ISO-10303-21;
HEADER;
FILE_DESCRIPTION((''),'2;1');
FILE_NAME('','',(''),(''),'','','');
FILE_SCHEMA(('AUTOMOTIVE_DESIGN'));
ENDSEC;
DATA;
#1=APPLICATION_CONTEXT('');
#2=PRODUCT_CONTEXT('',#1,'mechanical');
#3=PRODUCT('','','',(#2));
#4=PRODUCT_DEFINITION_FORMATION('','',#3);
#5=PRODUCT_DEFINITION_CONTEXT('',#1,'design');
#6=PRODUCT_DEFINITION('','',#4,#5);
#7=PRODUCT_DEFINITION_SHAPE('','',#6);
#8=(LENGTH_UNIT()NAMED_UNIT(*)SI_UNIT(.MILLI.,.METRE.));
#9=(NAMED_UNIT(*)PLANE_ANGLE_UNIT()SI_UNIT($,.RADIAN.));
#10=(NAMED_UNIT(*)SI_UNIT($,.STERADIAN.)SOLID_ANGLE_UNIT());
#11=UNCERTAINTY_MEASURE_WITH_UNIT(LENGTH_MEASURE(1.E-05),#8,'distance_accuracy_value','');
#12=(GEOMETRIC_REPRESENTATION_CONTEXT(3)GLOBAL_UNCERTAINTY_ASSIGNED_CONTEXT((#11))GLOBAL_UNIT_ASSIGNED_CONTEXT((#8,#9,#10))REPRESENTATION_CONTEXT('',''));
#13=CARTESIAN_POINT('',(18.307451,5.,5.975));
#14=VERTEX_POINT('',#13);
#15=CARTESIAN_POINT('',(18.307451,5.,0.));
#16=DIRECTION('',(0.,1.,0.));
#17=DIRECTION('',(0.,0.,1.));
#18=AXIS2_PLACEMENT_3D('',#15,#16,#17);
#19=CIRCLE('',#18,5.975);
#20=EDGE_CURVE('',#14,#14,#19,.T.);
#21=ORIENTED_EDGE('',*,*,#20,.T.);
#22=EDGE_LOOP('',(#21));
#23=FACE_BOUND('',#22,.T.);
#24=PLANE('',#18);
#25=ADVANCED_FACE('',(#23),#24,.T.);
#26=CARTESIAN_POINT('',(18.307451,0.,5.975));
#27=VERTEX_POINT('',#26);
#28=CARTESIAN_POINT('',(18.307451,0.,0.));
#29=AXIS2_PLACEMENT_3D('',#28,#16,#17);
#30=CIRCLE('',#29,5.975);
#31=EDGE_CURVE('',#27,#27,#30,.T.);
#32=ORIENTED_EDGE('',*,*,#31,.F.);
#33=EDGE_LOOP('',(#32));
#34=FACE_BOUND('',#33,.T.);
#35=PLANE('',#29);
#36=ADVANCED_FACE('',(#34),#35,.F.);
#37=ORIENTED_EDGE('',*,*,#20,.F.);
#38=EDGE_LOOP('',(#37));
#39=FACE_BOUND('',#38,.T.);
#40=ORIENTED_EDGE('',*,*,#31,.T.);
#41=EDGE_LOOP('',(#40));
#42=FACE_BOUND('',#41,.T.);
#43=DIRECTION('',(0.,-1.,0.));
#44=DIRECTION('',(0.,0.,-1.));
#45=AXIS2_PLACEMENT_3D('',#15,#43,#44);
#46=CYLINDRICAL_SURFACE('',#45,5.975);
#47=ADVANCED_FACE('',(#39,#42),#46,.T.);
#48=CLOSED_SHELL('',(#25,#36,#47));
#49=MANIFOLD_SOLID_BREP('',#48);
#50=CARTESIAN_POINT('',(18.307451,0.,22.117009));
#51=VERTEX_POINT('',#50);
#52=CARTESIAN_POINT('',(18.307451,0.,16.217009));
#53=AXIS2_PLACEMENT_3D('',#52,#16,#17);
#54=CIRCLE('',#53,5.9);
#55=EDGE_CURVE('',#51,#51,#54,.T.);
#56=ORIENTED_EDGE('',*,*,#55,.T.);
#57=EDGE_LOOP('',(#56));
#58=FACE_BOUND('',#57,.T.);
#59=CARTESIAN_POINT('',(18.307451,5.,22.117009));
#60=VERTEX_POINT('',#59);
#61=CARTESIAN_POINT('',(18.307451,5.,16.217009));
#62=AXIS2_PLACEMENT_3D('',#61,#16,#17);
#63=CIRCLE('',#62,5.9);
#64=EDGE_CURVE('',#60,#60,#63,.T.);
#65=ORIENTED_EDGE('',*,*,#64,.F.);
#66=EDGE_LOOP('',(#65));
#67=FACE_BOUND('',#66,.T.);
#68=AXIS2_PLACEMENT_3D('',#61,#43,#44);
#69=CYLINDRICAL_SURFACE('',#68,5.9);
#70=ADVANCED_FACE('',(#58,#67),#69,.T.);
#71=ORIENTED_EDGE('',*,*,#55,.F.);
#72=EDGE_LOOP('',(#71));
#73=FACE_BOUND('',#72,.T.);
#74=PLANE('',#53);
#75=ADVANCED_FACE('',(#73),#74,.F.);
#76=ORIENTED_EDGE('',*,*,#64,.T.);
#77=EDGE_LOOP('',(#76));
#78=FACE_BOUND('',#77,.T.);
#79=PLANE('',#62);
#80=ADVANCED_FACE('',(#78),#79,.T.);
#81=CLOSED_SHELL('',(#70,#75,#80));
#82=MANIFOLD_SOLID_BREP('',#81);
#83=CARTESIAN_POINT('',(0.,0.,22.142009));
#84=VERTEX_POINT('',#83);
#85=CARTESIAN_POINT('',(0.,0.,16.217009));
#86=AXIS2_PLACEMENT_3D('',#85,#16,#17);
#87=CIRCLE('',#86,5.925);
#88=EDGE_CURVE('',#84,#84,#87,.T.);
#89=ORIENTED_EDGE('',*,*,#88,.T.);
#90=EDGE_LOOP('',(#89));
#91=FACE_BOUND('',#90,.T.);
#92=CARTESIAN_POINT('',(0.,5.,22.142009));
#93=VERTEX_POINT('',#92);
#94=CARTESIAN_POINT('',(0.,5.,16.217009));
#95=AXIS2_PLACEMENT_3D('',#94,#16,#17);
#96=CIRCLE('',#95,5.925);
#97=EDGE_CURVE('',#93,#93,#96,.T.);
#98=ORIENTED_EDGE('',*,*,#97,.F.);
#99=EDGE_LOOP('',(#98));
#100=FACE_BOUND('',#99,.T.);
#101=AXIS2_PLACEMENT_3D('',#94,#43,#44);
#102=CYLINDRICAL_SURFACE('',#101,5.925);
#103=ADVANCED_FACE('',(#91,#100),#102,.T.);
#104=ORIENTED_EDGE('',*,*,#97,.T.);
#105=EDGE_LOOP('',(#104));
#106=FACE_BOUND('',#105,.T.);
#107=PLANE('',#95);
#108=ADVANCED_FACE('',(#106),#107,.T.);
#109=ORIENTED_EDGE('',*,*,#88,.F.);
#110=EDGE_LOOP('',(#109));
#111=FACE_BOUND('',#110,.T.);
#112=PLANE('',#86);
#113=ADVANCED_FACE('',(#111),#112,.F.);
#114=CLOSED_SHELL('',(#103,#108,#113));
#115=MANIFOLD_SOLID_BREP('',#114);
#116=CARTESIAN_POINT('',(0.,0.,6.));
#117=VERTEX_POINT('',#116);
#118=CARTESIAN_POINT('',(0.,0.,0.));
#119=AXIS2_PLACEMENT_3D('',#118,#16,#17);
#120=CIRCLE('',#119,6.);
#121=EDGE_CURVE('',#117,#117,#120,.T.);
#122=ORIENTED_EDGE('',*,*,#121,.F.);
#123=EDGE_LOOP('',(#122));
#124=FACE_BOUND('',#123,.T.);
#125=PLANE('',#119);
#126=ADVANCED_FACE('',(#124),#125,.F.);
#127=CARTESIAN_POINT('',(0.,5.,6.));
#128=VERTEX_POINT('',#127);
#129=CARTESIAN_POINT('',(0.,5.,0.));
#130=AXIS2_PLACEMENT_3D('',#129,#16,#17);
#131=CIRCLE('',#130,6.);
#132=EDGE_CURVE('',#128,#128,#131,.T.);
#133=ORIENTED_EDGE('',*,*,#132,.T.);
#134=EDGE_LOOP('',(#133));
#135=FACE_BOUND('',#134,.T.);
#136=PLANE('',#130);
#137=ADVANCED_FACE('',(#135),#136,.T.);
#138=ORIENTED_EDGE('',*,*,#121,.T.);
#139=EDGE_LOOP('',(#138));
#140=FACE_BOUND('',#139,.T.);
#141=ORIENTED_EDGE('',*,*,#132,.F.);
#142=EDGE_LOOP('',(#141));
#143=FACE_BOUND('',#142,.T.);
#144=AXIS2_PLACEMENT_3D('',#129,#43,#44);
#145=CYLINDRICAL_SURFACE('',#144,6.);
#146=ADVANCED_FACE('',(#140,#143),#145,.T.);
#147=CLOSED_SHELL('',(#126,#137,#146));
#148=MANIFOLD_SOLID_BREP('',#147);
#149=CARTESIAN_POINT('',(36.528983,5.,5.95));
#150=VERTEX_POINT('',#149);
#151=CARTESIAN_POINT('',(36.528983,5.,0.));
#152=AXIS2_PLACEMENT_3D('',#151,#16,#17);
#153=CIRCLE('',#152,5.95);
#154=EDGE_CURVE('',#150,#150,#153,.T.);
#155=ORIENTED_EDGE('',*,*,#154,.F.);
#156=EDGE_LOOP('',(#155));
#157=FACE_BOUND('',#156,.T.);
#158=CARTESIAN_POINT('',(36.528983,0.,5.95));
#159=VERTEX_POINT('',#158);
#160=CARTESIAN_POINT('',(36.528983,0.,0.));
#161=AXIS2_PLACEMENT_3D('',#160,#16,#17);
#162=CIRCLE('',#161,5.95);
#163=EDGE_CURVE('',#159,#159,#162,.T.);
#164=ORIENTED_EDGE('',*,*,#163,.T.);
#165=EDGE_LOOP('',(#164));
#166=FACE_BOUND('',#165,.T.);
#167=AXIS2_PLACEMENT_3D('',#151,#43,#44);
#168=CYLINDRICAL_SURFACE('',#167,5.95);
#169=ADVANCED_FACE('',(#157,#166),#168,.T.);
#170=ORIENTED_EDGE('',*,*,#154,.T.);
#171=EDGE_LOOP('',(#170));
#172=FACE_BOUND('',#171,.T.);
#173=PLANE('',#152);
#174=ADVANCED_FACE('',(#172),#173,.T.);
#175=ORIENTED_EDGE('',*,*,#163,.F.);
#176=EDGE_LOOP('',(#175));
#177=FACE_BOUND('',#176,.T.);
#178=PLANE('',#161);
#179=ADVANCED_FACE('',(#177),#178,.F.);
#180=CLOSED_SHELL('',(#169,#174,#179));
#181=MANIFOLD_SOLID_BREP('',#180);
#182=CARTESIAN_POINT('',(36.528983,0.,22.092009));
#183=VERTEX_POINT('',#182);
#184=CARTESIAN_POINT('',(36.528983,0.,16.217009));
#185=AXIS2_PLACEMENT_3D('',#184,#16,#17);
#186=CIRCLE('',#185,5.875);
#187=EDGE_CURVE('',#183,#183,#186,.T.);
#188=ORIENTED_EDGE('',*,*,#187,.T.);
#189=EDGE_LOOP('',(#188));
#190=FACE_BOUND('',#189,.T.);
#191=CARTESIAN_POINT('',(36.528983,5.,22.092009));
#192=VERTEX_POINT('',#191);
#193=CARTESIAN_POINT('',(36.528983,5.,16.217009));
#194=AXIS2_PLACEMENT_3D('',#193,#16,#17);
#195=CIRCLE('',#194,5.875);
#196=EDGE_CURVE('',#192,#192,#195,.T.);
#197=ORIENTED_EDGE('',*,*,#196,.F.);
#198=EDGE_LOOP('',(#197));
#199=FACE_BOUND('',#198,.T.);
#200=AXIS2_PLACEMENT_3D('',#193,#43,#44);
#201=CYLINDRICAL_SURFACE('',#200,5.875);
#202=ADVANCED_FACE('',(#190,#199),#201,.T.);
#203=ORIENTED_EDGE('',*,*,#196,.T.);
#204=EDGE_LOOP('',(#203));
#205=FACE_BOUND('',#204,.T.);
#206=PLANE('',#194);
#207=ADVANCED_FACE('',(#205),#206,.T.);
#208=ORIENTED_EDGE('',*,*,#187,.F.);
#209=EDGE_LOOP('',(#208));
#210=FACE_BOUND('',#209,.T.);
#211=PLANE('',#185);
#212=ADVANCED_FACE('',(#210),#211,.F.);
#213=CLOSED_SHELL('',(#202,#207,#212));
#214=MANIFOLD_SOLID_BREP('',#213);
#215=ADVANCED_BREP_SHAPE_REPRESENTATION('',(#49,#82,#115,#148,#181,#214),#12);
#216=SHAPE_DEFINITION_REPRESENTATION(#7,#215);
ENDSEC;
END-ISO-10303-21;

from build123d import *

# Parameters (mm, degrees)
SKETCH1_R             = 6
BOSS_EXTRUDE1_DEPTH   = 5
SKETCH1_R_2           = 5.975
BOSS_EXTRUDE1_2_DEPTH = 5
SKETCH1_R_3           = 5.95
BOSS_EXTRUDE1_3_DEPTH = 5
SKETCH1_R_4           = 5.875
BOSS_EXTRUDE1_4_DEPTH = 5
SKETCH1_R_5           = 5.9
BOSS_EXTRUDE1_5_DEPTH = 5
SKETCH1_R_6           = 5.925
BOSS_EXTRUDE1_6_DEPTH = 5


with BuildPart() as part:
    # Sketch1 → Boss-Extrude1 (new body)
    with BuildSketch(Plane(origin=(0, 0, 0), x_dir=(1, 0, 0), z_dir=(0, 1, 0))):
        with Locations(Location((0, 0, 0), (0, 0, 270))):
            Circle(SKETCH1_R)
    extrude(amount=BOSS_EXTRUDE1_DEPTH)


with BuildPart() as body_2:
    # Sketch1 → Boss-Extrude1 2 (new body)
    with BuildSketch(Plane(origin=(0, 0, 0), x_dir=(1, 0, 0), z_dir=(0, 1, 0))):
        with Locations(Location((18.307451277, 0, 0), (0, 0, 270))):
            Circle(SKETCH1_R_2)
    extrude(amount=BOSS_EXTRUDE1_2_DEPTH)


with BuildPart() as body_3:
    # Sketch1 → Boss-Extrude1 3 (new body)
    with BuildSketch(Plane(origin=(0, 0, 0), x_dir=(1, 0, 0), z_dir=(0, 1, 0))):
        with Locations(Location((36.52898338, 0, 0), (0, 0, 270))):
            Circle(SKETCH1_R_3)
    extrude(amount=BOSS_EXTRUDE1_3_DEPTH)


with BuildPart() as body_4:
    # Sketch1 → Boss-Extrude1 4 (new body)
    with BuildSketch(Plane(origin=(0, 0, 0), x_dir=(1, 0, 0), z_dir=(0, 1, 0))):
        with Locations(Location((36.52898338, -16.217009358, 0), (0, 0, 270))):
            Circle(SKETCH1_R_4)
    extrude(amount=BOSS_EXTRUDE1_4_DEPTH)


with BuildPart() as body_5:
    # Sketch1 → Boss-Extrude1 5 (new body)
    with BuildSketch(Plane(origin=(0, 0, 0), x_dir=(1, 0, 0), z_dir=(0, 1, 0))):
        with Locations(Location((18.307451277, -16.217009358, 0), (0, 0, 270))):
            Circle(SKETCH1_R_5)
    extrude(amount=BOSS_EXTRUDE1_5_DEPTH)


with BuildPart() as body_6:
    # Sketch1 → Boss-Extrude1 6 (new body)
    with BuildSketch(Plane(origin=(0, 0, 0), x_dir=(1, 0, 0), z_dir=(0, 1, 0))):
        with Locations(Location((0, -16.217009358, 0), (0, 0, 270))):
            Circle(SKETCH1_R_6)
    extrude(amount=BOSS_EXTRUDE1_6_DEPTH)


solid = Compound([part.part, body_2.part, body_3.part, body_4.part, body_5.part, body_6.part])
